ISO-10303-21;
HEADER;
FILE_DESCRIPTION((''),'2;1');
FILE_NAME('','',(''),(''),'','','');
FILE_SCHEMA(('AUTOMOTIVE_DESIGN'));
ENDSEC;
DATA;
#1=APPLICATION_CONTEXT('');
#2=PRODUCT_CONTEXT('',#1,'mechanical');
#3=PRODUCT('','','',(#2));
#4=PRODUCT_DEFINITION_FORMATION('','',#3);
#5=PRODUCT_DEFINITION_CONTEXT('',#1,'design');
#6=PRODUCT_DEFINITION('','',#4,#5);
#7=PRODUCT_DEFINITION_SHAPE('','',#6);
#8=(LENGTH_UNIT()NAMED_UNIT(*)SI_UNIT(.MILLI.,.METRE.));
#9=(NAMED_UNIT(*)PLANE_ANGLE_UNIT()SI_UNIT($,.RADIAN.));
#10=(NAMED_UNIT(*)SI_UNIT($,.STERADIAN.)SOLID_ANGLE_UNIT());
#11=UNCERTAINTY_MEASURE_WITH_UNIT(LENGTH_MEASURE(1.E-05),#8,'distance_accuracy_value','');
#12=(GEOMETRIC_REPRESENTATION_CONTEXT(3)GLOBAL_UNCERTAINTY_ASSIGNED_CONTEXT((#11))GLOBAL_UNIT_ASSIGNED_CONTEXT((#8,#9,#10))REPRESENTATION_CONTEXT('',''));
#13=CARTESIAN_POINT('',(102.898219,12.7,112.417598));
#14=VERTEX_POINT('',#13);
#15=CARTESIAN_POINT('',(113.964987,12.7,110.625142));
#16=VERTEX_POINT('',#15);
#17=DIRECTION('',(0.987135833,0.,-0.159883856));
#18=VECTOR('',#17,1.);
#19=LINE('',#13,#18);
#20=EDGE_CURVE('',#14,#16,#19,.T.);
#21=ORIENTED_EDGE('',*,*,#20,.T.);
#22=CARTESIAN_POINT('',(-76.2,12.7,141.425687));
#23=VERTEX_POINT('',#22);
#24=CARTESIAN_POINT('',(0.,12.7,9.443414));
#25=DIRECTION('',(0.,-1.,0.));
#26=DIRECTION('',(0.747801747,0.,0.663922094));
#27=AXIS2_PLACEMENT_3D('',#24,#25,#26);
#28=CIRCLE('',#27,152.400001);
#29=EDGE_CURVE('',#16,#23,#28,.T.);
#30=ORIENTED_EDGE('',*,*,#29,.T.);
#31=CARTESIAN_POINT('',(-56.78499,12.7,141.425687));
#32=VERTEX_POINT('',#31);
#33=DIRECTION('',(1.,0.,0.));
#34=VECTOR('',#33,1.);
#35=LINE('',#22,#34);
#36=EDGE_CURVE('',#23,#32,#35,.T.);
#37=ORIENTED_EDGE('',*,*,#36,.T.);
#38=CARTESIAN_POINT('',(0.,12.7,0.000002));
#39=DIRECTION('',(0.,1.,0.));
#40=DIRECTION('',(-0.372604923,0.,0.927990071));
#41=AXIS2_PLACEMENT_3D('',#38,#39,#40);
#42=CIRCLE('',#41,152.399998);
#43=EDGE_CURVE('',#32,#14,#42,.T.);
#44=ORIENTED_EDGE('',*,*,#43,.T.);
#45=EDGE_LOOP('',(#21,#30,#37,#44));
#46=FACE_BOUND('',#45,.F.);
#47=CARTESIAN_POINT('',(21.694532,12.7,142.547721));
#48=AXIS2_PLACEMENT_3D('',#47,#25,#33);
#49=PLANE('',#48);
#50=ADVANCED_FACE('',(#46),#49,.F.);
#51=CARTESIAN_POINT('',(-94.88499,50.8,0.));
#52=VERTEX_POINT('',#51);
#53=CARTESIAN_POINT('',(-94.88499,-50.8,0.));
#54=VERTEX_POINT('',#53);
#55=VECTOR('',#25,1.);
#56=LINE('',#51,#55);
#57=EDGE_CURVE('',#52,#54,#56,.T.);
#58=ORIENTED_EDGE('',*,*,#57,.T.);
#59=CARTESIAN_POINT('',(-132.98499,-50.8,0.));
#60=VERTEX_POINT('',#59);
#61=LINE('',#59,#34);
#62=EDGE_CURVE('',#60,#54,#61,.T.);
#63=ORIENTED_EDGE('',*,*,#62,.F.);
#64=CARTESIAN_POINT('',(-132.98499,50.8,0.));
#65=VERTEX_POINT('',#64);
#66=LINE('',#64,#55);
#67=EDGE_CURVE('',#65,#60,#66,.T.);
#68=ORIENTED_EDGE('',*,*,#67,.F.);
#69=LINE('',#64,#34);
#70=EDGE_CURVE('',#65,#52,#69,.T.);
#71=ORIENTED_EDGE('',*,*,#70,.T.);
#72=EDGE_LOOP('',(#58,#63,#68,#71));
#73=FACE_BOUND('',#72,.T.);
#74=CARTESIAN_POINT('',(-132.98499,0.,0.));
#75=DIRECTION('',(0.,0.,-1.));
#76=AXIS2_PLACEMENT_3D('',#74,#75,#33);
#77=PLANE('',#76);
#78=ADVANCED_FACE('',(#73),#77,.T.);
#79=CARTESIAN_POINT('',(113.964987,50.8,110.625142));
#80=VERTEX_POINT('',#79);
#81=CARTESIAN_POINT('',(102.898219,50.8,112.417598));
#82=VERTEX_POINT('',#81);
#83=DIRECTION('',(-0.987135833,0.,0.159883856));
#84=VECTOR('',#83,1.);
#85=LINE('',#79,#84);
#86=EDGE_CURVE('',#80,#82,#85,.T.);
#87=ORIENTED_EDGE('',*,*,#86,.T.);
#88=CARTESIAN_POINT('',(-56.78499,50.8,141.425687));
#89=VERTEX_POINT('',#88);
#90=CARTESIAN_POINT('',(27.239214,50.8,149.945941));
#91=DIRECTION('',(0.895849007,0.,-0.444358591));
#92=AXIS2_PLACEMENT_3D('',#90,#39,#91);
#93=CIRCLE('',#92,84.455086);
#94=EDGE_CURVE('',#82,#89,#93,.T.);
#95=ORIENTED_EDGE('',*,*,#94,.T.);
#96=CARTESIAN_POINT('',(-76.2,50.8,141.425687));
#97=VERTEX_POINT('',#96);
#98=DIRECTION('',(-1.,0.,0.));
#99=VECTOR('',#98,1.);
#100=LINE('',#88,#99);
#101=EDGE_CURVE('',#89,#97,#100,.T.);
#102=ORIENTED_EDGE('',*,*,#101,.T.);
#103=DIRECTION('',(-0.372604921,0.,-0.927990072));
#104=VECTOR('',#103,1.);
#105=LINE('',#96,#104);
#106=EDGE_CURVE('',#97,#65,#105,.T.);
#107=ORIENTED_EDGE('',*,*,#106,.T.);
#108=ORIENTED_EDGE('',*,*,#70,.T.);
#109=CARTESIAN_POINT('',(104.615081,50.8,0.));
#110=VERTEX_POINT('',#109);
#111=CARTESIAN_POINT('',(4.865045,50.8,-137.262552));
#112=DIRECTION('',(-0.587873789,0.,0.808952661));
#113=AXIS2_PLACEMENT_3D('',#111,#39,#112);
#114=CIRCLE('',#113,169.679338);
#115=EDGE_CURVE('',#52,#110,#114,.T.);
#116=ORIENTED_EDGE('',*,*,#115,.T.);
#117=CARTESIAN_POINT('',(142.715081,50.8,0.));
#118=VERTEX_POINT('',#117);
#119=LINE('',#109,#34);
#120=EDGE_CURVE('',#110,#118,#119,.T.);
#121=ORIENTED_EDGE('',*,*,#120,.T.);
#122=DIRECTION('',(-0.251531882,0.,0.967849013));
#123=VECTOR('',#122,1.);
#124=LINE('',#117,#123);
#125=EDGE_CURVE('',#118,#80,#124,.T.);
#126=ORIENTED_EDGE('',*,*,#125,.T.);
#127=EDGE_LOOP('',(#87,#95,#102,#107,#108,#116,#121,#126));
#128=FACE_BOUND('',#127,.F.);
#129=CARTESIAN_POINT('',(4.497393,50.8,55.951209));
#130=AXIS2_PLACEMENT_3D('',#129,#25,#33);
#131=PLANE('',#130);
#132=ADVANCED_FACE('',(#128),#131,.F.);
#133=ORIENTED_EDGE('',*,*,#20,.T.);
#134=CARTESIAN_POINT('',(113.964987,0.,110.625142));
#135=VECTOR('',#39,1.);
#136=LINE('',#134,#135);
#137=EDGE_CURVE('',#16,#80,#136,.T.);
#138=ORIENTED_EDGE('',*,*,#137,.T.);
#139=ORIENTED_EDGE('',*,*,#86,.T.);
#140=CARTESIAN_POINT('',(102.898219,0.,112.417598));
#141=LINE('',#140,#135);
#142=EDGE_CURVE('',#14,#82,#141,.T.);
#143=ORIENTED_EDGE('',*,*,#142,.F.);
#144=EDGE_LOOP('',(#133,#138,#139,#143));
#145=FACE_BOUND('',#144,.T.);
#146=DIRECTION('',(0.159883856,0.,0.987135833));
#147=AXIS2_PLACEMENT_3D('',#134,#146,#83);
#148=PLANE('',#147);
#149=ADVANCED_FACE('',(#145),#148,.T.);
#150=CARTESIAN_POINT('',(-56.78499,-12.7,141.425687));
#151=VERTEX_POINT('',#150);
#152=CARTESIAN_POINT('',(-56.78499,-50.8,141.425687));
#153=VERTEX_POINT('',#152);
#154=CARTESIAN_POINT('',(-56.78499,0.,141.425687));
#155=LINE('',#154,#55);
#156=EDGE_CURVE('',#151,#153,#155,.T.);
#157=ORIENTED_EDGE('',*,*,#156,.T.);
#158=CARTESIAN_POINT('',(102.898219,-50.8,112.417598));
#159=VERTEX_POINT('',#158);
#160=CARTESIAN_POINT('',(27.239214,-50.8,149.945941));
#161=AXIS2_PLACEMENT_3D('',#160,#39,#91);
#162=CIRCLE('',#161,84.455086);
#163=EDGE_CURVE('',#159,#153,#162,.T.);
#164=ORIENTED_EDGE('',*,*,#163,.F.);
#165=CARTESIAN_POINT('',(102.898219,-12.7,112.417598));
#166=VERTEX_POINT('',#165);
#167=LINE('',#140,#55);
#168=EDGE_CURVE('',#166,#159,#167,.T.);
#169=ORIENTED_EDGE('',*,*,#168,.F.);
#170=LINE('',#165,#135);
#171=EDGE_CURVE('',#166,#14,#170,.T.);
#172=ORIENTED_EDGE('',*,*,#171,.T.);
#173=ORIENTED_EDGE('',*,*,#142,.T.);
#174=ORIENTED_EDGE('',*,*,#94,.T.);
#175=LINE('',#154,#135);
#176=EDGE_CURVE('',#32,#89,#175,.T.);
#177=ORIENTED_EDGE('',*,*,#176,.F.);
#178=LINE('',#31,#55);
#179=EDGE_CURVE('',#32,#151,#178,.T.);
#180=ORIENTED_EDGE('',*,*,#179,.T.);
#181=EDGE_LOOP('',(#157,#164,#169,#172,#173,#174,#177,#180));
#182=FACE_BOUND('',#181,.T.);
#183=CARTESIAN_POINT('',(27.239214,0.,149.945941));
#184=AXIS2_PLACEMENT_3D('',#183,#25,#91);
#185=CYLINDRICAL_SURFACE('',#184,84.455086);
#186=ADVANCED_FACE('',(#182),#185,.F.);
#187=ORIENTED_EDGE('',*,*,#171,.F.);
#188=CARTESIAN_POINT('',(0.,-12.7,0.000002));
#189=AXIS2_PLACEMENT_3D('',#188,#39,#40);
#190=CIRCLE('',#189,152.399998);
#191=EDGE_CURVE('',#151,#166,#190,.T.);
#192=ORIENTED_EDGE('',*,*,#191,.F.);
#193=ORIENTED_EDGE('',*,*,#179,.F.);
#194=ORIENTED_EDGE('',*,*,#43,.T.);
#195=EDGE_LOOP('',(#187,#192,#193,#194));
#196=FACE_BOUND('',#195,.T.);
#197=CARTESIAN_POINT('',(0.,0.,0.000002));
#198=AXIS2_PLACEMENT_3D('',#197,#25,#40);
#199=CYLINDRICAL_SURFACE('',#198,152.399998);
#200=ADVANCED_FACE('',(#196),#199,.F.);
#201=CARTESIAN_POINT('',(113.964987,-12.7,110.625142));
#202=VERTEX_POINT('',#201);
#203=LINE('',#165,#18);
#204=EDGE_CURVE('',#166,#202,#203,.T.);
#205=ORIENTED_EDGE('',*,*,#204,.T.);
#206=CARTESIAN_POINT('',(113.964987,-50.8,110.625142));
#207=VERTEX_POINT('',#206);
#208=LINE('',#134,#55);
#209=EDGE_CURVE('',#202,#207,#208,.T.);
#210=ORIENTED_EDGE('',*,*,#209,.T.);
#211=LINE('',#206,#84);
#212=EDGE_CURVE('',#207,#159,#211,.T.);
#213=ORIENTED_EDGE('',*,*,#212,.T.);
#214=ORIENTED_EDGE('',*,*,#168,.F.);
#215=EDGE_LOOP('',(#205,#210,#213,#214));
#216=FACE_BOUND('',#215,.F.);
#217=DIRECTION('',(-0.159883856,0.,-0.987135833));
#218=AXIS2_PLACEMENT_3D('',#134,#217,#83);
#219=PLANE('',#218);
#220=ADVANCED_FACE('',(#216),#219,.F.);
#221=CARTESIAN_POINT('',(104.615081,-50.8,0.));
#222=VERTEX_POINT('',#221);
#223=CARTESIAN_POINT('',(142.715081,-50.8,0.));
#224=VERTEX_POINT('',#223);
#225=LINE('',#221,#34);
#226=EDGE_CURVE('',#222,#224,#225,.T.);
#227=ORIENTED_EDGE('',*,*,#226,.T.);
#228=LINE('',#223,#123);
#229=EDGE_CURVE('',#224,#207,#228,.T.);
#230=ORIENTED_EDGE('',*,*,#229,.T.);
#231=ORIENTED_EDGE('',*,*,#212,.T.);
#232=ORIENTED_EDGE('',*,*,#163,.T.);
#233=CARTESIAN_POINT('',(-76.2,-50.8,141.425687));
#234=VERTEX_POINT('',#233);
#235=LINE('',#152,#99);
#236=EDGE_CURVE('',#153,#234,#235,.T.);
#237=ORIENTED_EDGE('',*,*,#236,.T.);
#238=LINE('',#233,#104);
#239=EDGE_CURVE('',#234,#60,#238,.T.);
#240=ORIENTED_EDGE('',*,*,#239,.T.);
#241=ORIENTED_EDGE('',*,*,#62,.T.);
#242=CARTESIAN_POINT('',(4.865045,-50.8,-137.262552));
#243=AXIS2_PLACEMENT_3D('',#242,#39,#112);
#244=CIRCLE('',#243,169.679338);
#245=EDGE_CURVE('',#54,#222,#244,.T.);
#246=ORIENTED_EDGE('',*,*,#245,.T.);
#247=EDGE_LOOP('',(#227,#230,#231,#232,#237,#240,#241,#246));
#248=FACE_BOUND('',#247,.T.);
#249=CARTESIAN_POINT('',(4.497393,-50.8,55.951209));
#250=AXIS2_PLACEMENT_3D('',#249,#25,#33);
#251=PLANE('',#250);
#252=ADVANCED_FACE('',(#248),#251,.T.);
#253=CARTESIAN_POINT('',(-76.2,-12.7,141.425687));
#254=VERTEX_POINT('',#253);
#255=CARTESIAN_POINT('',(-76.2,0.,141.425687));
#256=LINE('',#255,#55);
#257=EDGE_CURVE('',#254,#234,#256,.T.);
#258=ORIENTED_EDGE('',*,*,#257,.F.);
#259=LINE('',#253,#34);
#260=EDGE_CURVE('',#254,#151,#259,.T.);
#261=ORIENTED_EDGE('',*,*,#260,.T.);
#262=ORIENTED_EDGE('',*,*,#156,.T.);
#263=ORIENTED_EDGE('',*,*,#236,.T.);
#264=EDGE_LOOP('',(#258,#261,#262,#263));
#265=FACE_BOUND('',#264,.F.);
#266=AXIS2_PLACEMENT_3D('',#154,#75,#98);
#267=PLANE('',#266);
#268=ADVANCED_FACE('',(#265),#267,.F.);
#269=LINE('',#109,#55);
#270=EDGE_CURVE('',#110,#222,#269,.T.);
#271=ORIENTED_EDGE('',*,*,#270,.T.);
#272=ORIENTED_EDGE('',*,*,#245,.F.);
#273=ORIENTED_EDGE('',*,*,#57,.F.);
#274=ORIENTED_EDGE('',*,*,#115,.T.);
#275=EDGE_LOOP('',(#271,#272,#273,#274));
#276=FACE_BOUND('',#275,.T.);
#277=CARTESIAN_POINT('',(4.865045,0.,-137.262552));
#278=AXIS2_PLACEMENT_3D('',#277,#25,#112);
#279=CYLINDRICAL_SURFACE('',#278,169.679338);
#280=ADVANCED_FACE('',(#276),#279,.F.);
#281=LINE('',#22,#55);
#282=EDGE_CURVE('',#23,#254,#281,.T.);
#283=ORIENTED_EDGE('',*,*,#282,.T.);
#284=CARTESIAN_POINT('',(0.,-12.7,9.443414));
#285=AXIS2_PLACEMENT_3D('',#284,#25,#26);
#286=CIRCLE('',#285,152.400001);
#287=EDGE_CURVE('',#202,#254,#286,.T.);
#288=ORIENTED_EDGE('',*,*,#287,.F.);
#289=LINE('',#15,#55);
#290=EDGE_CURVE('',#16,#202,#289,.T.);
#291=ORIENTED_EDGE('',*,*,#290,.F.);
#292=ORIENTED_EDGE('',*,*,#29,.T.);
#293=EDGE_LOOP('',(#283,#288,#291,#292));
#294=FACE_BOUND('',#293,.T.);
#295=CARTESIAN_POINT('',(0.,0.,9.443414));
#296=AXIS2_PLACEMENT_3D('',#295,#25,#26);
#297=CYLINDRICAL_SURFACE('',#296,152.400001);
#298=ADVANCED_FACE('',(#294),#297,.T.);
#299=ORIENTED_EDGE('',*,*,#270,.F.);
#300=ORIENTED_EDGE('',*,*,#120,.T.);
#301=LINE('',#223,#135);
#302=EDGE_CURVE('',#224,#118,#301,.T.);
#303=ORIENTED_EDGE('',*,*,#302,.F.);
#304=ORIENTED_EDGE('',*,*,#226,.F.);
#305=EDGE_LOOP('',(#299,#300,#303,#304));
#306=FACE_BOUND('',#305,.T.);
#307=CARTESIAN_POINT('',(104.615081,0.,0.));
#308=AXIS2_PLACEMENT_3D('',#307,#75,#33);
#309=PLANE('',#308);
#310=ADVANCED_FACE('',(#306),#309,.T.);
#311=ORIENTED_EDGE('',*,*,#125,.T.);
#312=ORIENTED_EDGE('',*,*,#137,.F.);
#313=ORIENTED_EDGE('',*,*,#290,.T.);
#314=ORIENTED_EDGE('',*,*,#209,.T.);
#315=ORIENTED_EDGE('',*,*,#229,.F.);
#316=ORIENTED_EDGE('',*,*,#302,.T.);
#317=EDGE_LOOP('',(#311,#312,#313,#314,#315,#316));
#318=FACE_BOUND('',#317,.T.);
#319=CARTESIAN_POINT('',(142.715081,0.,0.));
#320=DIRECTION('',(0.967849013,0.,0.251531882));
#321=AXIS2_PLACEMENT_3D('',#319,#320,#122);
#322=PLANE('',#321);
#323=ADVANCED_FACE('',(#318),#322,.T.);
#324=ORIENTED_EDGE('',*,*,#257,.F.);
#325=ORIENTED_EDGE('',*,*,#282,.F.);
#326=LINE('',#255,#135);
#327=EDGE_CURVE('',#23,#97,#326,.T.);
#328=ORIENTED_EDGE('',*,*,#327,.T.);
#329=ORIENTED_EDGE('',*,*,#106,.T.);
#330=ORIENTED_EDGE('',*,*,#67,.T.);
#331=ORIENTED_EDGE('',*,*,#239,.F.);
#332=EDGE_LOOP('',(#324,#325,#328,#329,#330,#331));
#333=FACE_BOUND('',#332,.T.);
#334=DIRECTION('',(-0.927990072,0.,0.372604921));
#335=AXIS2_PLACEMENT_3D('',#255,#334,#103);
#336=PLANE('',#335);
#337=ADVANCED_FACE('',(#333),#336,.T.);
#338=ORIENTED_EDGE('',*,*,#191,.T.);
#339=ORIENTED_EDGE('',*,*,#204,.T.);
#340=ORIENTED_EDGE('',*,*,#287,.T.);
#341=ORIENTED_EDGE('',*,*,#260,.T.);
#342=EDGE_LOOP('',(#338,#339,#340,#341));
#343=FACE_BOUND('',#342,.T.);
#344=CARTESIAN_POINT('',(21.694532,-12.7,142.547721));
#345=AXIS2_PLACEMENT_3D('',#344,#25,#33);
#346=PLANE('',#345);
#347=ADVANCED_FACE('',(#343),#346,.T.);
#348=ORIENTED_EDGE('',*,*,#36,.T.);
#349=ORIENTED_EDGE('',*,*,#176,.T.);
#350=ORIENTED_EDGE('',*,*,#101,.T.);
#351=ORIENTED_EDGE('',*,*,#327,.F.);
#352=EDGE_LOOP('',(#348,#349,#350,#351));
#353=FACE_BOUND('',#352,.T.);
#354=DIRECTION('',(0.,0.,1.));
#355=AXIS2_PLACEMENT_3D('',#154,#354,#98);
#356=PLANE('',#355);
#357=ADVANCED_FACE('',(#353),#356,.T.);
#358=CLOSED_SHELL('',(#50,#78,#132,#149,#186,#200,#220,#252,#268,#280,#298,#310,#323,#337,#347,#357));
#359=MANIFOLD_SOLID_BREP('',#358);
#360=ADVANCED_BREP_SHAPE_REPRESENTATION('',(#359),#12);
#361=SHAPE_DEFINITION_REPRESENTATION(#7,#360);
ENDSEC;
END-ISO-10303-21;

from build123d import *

# Parameters (mm, degrees)
F1_DEPTH      = 12.7
F1_DEPTH_BACK = 12.7
F3_DEPTH      = 50.8
F3_DEPTH_BACK = 50.8


with BuildPart() as f1:
    # F0 (on Front) → F1 (new body, two sides)
    with BuildSketch(Plane.XZ) as f1_sk:
        with BuildLine():
            ThreePointArc((113.964987, 110.625142), (24.366307, 159.882915), (-76.2, 141.425687))
            Line((-76.2, 141.425687), (-56.78499, 141.425687))
            ThreePointArc((-56.78499, 141.425687), (27.239214, 149.945941), (102.898219, 112.417598))
            Line((102.898219, 112.417598), (113.964987, 110.625142))
        make_face()
    extrude(amount=F1_DEPTH)
    extrude(f1_sk.sketch, amount=-F1_DEPTH_BACK)

    # F2 (on Front) → F3 (join, two sides)
    with BuildSketch(Plane.XZ) as f3_sk:
        with BuildLine():
            Line((113.964987, 110.625142), (102.898219, 112.417598))
            ThreePointArc((102.898219, 112.417598), (12.144134, 66.850814), (-56.78499, 141.425687))
            Line((-56.78499, 141.425687), (-76.2, 141.425687))
            Line((-76.2, 141.425687), (-132.98499, 0))
            Line((-132.98499, 0), (-94.88499, 0))
            ThreePointArc((-94.88499, 0), (4.865045, 32.416786), (104.615081, 0))
            Line((104.615081, 0), (142.715081, 0))
            Line((142.715081, 0), (113.964987, 110.625142))
        make_face()
    extrude(amount=F3_DEPTH)
    extrude(f3_sk.sketch, amount=-F3_DEPTH_BACK)


solid = f1.part
